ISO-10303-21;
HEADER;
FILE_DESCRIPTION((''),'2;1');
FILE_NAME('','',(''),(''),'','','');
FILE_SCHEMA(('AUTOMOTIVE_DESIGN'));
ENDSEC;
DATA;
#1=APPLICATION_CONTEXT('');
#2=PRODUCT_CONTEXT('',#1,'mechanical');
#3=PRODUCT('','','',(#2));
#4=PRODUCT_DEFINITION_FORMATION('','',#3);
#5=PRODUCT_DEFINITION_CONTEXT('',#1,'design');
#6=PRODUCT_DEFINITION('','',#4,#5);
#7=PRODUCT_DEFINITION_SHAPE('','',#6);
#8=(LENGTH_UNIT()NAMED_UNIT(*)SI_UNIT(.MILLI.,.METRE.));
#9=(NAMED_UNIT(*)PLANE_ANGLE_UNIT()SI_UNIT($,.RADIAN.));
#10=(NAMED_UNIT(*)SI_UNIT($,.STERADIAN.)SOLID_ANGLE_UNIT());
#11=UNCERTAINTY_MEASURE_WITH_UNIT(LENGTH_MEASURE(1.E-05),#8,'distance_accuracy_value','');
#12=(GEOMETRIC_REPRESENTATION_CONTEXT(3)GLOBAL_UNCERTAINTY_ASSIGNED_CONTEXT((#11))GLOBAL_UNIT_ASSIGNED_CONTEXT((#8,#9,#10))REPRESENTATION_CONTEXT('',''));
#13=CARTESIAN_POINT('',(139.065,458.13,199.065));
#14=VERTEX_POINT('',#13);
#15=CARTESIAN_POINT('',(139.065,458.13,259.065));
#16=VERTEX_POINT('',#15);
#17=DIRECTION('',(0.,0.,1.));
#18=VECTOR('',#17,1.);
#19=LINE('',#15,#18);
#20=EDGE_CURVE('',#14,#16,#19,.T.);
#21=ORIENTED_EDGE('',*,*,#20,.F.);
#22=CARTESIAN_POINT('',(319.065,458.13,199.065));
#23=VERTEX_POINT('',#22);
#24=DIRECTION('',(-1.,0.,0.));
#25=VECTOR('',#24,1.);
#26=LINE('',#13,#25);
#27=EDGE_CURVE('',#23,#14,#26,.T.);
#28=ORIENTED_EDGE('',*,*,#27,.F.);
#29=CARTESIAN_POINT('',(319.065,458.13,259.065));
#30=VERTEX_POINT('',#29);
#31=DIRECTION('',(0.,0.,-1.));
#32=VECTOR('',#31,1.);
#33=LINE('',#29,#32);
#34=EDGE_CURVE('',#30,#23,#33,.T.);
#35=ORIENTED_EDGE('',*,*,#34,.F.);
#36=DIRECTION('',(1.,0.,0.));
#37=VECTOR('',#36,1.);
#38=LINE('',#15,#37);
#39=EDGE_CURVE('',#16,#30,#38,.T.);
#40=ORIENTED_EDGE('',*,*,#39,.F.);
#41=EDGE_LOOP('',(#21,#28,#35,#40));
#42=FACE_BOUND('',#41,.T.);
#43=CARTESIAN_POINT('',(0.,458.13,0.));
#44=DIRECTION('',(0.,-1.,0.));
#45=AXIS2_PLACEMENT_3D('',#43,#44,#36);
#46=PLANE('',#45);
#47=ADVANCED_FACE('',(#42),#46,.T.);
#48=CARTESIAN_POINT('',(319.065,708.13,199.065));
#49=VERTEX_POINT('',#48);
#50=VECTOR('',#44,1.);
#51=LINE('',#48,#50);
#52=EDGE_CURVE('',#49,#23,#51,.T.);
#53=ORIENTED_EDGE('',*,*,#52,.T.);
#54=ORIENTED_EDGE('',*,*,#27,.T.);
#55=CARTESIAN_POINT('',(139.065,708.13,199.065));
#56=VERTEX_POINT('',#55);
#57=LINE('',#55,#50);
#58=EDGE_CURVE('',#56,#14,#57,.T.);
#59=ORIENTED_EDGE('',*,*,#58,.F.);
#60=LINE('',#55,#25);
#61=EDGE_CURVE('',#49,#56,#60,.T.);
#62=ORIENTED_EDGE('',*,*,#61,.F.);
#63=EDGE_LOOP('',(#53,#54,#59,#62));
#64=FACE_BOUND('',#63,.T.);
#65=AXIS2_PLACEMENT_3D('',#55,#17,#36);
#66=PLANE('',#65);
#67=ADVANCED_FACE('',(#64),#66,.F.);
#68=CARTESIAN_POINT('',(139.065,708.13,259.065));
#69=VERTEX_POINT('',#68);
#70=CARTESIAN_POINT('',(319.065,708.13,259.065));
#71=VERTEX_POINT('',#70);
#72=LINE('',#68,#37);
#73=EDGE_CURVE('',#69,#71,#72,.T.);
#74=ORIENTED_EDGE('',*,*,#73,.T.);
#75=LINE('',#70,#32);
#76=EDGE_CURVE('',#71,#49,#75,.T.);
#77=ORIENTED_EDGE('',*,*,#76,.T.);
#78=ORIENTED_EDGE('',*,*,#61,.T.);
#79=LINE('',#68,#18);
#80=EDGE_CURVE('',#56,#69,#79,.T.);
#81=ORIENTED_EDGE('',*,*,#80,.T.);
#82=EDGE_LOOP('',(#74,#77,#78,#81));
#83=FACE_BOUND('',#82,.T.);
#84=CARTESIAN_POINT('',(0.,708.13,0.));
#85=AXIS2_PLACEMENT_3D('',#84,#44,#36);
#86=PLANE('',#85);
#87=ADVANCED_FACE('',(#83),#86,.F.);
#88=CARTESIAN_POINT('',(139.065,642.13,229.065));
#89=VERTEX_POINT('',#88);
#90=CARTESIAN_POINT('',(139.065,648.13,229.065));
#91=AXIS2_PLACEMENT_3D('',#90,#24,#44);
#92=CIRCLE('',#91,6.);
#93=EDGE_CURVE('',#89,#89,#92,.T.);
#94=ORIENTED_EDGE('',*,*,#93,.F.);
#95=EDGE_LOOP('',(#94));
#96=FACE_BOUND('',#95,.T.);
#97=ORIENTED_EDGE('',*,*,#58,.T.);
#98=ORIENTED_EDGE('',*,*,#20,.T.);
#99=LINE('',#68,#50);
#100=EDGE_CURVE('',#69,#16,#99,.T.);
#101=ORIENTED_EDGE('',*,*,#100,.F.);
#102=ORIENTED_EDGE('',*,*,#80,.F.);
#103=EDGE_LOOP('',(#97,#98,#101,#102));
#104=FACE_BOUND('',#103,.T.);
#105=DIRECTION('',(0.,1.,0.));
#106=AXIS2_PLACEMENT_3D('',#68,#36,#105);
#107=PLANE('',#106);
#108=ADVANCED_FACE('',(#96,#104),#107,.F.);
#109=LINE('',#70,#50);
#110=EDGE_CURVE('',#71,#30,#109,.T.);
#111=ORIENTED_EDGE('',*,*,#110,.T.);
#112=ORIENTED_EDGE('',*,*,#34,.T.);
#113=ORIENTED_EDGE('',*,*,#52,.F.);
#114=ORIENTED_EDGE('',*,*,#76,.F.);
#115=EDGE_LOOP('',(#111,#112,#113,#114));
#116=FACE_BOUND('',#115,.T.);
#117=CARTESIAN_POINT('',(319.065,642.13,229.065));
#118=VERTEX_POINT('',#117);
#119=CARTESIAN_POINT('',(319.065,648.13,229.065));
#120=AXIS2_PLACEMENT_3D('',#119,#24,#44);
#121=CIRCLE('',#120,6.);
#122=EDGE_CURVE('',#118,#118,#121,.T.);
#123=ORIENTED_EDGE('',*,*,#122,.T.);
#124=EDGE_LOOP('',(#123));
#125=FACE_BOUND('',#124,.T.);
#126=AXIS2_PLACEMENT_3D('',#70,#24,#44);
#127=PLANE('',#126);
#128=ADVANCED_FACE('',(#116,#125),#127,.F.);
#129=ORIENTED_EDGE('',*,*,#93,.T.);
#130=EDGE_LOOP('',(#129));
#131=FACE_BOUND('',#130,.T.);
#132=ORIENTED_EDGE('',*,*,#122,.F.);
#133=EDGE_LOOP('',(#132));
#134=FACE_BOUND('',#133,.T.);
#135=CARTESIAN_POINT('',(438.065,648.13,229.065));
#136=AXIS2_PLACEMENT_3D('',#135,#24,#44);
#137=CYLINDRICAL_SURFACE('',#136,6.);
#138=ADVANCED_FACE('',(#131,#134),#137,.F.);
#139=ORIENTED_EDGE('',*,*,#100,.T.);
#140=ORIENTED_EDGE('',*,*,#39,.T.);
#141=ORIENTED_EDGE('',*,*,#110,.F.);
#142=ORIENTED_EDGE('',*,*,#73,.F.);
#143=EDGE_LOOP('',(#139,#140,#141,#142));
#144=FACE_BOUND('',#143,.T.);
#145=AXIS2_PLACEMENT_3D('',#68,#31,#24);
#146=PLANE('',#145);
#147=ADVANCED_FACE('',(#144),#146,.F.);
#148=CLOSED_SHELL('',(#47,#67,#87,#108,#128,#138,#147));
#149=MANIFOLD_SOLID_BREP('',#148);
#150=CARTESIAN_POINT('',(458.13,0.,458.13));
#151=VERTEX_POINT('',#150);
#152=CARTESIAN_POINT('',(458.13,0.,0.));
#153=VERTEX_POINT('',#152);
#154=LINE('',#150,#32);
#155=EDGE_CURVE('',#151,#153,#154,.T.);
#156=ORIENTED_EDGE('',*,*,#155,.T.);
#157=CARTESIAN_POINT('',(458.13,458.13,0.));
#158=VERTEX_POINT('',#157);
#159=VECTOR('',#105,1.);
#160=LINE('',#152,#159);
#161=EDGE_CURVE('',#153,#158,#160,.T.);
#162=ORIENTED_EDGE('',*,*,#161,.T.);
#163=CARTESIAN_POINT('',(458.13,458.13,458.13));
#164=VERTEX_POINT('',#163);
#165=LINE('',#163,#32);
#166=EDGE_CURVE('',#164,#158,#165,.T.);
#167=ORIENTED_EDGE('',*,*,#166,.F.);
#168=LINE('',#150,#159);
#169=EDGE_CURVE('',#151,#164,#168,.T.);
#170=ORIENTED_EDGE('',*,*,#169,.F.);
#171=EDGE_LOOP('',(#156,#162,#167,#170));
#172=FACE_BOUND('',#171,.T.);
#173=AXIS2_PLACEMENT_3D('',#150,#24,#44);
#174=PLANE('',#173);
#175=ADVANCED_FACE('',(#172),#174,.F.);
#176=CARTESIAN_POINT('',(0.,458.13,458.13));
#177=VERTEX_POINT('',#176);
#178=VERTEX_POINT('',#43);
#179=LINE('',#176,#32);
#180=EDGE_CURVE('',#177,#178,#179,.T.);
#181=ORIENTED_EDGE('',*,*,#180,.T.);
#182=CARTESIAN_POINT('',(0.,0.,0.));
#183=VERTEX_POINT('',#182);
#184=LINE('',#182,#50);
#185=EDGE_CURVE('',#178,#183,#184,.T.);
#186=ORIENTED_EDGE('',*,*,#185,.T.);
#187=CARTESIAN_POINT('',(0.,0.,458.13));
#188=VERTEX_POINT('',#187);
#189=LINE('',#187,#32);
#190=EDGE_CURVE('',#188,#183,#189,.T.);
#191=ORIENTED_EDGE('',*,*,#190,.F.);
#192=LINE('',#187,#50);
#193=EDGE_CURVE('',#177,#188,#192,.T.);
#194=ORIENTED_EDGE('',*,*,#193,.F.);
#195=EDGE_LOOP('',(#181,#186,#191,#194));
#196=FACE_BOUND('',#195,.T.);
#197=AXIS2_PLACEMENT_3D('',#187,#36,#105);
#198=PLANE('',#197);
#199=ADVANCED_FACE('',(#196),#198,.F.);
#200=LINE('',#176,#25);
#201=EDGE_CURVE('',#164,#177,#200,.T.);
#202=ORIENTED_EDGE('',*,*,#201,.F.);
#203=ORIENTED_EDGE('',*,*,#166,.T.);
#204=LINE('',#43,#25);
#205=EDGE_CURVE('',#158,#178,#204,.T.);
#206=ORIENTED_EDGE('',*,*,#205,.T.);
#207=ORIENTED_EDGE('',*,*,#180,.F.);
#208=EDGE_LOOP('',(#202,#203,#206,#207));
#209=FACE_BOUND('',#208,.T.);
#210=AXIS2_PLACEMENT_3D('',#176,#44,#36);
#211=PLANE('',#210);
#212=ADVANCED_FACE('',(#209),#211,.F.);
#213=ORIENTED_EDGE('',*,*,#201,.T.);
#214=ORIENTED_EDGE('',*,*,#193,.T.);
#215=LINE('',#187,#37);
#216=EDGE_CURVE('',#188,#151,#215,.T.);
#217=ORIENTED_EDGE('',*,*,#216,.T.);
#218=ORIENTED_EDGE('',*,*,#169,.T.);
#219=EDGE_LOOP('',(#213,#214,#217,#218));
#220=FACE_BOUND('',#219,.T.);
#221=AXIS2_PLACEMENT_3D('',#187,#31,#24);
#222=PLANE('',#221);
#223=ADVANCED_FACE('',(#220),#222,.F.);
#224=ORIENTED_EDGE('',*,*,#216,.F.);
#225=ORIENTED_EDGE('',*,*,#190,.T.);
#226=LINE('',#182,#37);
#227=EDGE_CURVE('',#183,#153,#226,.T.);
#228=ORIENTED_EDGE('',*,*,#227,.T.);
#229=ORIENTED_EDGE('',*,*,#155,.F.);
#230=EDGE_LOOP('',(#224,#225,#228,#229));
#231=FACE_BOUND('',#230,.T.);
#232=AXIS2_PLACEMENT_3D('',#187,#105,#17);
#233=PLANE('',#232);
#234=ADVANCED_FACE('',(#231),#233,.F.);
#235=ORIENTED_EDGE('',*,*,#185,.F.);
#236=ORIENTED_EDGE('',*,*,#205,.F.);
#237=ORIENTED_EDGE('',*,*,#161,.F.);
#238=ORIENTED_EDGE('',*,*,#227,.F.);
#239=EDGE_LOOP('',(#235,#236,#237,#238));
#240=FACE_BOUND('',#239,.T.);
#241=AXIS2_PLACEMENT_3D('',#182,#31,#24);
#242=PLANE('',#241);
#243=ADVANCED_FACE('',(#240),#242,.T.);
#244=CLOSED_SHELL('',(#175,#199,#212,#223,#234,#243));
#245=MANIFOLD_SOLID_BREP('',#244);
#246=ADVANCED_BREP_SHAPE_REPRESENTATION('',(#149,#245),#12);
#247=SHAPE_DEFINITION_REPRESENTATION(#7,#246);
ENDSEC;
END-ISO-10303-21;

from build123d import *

# Parameters (mm, degrees)
IZIM1_W                     = 458.13
IZIM1_H                     = 458.13
Y_KSEKLIK_EKSTR_ZYON1_DEPTH = 458.13
IZIM2_W                     = 180
IZIM2_H                     = 60
Y_KSEKLIK_EKSTR_ZYON2_DEPTH = 250
IZIM3_R                     = 6
KES_EKSTR_ZYON1_DEPTH       = 299


with BuildPart() as part:
    # Çizim1 → Yükseklik-Ekstrüzyon1 (new body)
    with BuildSketch(Plane.XY):
        with Locations((229.065, 229.065)):
            Rectangle(IZIM1_W, IZIM1_H)
    extrude(amount=Y_KSEKLIK_EKSTR_ZYON1_DEPTH)


with BuildPart() as body_2:
    # Çizim2 → Yükseklik-Ekstrüzyon2 (new body)
    with BuildSketch(Plane(origin=(0, 458.13, 0), x_dir=(1, 0, 0), z_dir=(0, 1, 0))):
        with Locations((229.065, -229.065)):
            Rectangle(IZIM2_W, IZIM2_H)
    extrude(amount=Y_KSEKLIK_EKSTR_ZYON2_DEPTH)

    # Çizim3 → Kes-Ekstrüzyon1 (cut)
    with BuildSketch(Plane.ZY.offset(-139.065)):
        with Locations((229.065, 648.13)):
            Circle(IZIM3_R)
    extrude(amount=-KES_EKSTR_ZYON1_DEPTH, mode=Mode.SUBTRACT)


solid = Compound([part.part, body_2.part])
